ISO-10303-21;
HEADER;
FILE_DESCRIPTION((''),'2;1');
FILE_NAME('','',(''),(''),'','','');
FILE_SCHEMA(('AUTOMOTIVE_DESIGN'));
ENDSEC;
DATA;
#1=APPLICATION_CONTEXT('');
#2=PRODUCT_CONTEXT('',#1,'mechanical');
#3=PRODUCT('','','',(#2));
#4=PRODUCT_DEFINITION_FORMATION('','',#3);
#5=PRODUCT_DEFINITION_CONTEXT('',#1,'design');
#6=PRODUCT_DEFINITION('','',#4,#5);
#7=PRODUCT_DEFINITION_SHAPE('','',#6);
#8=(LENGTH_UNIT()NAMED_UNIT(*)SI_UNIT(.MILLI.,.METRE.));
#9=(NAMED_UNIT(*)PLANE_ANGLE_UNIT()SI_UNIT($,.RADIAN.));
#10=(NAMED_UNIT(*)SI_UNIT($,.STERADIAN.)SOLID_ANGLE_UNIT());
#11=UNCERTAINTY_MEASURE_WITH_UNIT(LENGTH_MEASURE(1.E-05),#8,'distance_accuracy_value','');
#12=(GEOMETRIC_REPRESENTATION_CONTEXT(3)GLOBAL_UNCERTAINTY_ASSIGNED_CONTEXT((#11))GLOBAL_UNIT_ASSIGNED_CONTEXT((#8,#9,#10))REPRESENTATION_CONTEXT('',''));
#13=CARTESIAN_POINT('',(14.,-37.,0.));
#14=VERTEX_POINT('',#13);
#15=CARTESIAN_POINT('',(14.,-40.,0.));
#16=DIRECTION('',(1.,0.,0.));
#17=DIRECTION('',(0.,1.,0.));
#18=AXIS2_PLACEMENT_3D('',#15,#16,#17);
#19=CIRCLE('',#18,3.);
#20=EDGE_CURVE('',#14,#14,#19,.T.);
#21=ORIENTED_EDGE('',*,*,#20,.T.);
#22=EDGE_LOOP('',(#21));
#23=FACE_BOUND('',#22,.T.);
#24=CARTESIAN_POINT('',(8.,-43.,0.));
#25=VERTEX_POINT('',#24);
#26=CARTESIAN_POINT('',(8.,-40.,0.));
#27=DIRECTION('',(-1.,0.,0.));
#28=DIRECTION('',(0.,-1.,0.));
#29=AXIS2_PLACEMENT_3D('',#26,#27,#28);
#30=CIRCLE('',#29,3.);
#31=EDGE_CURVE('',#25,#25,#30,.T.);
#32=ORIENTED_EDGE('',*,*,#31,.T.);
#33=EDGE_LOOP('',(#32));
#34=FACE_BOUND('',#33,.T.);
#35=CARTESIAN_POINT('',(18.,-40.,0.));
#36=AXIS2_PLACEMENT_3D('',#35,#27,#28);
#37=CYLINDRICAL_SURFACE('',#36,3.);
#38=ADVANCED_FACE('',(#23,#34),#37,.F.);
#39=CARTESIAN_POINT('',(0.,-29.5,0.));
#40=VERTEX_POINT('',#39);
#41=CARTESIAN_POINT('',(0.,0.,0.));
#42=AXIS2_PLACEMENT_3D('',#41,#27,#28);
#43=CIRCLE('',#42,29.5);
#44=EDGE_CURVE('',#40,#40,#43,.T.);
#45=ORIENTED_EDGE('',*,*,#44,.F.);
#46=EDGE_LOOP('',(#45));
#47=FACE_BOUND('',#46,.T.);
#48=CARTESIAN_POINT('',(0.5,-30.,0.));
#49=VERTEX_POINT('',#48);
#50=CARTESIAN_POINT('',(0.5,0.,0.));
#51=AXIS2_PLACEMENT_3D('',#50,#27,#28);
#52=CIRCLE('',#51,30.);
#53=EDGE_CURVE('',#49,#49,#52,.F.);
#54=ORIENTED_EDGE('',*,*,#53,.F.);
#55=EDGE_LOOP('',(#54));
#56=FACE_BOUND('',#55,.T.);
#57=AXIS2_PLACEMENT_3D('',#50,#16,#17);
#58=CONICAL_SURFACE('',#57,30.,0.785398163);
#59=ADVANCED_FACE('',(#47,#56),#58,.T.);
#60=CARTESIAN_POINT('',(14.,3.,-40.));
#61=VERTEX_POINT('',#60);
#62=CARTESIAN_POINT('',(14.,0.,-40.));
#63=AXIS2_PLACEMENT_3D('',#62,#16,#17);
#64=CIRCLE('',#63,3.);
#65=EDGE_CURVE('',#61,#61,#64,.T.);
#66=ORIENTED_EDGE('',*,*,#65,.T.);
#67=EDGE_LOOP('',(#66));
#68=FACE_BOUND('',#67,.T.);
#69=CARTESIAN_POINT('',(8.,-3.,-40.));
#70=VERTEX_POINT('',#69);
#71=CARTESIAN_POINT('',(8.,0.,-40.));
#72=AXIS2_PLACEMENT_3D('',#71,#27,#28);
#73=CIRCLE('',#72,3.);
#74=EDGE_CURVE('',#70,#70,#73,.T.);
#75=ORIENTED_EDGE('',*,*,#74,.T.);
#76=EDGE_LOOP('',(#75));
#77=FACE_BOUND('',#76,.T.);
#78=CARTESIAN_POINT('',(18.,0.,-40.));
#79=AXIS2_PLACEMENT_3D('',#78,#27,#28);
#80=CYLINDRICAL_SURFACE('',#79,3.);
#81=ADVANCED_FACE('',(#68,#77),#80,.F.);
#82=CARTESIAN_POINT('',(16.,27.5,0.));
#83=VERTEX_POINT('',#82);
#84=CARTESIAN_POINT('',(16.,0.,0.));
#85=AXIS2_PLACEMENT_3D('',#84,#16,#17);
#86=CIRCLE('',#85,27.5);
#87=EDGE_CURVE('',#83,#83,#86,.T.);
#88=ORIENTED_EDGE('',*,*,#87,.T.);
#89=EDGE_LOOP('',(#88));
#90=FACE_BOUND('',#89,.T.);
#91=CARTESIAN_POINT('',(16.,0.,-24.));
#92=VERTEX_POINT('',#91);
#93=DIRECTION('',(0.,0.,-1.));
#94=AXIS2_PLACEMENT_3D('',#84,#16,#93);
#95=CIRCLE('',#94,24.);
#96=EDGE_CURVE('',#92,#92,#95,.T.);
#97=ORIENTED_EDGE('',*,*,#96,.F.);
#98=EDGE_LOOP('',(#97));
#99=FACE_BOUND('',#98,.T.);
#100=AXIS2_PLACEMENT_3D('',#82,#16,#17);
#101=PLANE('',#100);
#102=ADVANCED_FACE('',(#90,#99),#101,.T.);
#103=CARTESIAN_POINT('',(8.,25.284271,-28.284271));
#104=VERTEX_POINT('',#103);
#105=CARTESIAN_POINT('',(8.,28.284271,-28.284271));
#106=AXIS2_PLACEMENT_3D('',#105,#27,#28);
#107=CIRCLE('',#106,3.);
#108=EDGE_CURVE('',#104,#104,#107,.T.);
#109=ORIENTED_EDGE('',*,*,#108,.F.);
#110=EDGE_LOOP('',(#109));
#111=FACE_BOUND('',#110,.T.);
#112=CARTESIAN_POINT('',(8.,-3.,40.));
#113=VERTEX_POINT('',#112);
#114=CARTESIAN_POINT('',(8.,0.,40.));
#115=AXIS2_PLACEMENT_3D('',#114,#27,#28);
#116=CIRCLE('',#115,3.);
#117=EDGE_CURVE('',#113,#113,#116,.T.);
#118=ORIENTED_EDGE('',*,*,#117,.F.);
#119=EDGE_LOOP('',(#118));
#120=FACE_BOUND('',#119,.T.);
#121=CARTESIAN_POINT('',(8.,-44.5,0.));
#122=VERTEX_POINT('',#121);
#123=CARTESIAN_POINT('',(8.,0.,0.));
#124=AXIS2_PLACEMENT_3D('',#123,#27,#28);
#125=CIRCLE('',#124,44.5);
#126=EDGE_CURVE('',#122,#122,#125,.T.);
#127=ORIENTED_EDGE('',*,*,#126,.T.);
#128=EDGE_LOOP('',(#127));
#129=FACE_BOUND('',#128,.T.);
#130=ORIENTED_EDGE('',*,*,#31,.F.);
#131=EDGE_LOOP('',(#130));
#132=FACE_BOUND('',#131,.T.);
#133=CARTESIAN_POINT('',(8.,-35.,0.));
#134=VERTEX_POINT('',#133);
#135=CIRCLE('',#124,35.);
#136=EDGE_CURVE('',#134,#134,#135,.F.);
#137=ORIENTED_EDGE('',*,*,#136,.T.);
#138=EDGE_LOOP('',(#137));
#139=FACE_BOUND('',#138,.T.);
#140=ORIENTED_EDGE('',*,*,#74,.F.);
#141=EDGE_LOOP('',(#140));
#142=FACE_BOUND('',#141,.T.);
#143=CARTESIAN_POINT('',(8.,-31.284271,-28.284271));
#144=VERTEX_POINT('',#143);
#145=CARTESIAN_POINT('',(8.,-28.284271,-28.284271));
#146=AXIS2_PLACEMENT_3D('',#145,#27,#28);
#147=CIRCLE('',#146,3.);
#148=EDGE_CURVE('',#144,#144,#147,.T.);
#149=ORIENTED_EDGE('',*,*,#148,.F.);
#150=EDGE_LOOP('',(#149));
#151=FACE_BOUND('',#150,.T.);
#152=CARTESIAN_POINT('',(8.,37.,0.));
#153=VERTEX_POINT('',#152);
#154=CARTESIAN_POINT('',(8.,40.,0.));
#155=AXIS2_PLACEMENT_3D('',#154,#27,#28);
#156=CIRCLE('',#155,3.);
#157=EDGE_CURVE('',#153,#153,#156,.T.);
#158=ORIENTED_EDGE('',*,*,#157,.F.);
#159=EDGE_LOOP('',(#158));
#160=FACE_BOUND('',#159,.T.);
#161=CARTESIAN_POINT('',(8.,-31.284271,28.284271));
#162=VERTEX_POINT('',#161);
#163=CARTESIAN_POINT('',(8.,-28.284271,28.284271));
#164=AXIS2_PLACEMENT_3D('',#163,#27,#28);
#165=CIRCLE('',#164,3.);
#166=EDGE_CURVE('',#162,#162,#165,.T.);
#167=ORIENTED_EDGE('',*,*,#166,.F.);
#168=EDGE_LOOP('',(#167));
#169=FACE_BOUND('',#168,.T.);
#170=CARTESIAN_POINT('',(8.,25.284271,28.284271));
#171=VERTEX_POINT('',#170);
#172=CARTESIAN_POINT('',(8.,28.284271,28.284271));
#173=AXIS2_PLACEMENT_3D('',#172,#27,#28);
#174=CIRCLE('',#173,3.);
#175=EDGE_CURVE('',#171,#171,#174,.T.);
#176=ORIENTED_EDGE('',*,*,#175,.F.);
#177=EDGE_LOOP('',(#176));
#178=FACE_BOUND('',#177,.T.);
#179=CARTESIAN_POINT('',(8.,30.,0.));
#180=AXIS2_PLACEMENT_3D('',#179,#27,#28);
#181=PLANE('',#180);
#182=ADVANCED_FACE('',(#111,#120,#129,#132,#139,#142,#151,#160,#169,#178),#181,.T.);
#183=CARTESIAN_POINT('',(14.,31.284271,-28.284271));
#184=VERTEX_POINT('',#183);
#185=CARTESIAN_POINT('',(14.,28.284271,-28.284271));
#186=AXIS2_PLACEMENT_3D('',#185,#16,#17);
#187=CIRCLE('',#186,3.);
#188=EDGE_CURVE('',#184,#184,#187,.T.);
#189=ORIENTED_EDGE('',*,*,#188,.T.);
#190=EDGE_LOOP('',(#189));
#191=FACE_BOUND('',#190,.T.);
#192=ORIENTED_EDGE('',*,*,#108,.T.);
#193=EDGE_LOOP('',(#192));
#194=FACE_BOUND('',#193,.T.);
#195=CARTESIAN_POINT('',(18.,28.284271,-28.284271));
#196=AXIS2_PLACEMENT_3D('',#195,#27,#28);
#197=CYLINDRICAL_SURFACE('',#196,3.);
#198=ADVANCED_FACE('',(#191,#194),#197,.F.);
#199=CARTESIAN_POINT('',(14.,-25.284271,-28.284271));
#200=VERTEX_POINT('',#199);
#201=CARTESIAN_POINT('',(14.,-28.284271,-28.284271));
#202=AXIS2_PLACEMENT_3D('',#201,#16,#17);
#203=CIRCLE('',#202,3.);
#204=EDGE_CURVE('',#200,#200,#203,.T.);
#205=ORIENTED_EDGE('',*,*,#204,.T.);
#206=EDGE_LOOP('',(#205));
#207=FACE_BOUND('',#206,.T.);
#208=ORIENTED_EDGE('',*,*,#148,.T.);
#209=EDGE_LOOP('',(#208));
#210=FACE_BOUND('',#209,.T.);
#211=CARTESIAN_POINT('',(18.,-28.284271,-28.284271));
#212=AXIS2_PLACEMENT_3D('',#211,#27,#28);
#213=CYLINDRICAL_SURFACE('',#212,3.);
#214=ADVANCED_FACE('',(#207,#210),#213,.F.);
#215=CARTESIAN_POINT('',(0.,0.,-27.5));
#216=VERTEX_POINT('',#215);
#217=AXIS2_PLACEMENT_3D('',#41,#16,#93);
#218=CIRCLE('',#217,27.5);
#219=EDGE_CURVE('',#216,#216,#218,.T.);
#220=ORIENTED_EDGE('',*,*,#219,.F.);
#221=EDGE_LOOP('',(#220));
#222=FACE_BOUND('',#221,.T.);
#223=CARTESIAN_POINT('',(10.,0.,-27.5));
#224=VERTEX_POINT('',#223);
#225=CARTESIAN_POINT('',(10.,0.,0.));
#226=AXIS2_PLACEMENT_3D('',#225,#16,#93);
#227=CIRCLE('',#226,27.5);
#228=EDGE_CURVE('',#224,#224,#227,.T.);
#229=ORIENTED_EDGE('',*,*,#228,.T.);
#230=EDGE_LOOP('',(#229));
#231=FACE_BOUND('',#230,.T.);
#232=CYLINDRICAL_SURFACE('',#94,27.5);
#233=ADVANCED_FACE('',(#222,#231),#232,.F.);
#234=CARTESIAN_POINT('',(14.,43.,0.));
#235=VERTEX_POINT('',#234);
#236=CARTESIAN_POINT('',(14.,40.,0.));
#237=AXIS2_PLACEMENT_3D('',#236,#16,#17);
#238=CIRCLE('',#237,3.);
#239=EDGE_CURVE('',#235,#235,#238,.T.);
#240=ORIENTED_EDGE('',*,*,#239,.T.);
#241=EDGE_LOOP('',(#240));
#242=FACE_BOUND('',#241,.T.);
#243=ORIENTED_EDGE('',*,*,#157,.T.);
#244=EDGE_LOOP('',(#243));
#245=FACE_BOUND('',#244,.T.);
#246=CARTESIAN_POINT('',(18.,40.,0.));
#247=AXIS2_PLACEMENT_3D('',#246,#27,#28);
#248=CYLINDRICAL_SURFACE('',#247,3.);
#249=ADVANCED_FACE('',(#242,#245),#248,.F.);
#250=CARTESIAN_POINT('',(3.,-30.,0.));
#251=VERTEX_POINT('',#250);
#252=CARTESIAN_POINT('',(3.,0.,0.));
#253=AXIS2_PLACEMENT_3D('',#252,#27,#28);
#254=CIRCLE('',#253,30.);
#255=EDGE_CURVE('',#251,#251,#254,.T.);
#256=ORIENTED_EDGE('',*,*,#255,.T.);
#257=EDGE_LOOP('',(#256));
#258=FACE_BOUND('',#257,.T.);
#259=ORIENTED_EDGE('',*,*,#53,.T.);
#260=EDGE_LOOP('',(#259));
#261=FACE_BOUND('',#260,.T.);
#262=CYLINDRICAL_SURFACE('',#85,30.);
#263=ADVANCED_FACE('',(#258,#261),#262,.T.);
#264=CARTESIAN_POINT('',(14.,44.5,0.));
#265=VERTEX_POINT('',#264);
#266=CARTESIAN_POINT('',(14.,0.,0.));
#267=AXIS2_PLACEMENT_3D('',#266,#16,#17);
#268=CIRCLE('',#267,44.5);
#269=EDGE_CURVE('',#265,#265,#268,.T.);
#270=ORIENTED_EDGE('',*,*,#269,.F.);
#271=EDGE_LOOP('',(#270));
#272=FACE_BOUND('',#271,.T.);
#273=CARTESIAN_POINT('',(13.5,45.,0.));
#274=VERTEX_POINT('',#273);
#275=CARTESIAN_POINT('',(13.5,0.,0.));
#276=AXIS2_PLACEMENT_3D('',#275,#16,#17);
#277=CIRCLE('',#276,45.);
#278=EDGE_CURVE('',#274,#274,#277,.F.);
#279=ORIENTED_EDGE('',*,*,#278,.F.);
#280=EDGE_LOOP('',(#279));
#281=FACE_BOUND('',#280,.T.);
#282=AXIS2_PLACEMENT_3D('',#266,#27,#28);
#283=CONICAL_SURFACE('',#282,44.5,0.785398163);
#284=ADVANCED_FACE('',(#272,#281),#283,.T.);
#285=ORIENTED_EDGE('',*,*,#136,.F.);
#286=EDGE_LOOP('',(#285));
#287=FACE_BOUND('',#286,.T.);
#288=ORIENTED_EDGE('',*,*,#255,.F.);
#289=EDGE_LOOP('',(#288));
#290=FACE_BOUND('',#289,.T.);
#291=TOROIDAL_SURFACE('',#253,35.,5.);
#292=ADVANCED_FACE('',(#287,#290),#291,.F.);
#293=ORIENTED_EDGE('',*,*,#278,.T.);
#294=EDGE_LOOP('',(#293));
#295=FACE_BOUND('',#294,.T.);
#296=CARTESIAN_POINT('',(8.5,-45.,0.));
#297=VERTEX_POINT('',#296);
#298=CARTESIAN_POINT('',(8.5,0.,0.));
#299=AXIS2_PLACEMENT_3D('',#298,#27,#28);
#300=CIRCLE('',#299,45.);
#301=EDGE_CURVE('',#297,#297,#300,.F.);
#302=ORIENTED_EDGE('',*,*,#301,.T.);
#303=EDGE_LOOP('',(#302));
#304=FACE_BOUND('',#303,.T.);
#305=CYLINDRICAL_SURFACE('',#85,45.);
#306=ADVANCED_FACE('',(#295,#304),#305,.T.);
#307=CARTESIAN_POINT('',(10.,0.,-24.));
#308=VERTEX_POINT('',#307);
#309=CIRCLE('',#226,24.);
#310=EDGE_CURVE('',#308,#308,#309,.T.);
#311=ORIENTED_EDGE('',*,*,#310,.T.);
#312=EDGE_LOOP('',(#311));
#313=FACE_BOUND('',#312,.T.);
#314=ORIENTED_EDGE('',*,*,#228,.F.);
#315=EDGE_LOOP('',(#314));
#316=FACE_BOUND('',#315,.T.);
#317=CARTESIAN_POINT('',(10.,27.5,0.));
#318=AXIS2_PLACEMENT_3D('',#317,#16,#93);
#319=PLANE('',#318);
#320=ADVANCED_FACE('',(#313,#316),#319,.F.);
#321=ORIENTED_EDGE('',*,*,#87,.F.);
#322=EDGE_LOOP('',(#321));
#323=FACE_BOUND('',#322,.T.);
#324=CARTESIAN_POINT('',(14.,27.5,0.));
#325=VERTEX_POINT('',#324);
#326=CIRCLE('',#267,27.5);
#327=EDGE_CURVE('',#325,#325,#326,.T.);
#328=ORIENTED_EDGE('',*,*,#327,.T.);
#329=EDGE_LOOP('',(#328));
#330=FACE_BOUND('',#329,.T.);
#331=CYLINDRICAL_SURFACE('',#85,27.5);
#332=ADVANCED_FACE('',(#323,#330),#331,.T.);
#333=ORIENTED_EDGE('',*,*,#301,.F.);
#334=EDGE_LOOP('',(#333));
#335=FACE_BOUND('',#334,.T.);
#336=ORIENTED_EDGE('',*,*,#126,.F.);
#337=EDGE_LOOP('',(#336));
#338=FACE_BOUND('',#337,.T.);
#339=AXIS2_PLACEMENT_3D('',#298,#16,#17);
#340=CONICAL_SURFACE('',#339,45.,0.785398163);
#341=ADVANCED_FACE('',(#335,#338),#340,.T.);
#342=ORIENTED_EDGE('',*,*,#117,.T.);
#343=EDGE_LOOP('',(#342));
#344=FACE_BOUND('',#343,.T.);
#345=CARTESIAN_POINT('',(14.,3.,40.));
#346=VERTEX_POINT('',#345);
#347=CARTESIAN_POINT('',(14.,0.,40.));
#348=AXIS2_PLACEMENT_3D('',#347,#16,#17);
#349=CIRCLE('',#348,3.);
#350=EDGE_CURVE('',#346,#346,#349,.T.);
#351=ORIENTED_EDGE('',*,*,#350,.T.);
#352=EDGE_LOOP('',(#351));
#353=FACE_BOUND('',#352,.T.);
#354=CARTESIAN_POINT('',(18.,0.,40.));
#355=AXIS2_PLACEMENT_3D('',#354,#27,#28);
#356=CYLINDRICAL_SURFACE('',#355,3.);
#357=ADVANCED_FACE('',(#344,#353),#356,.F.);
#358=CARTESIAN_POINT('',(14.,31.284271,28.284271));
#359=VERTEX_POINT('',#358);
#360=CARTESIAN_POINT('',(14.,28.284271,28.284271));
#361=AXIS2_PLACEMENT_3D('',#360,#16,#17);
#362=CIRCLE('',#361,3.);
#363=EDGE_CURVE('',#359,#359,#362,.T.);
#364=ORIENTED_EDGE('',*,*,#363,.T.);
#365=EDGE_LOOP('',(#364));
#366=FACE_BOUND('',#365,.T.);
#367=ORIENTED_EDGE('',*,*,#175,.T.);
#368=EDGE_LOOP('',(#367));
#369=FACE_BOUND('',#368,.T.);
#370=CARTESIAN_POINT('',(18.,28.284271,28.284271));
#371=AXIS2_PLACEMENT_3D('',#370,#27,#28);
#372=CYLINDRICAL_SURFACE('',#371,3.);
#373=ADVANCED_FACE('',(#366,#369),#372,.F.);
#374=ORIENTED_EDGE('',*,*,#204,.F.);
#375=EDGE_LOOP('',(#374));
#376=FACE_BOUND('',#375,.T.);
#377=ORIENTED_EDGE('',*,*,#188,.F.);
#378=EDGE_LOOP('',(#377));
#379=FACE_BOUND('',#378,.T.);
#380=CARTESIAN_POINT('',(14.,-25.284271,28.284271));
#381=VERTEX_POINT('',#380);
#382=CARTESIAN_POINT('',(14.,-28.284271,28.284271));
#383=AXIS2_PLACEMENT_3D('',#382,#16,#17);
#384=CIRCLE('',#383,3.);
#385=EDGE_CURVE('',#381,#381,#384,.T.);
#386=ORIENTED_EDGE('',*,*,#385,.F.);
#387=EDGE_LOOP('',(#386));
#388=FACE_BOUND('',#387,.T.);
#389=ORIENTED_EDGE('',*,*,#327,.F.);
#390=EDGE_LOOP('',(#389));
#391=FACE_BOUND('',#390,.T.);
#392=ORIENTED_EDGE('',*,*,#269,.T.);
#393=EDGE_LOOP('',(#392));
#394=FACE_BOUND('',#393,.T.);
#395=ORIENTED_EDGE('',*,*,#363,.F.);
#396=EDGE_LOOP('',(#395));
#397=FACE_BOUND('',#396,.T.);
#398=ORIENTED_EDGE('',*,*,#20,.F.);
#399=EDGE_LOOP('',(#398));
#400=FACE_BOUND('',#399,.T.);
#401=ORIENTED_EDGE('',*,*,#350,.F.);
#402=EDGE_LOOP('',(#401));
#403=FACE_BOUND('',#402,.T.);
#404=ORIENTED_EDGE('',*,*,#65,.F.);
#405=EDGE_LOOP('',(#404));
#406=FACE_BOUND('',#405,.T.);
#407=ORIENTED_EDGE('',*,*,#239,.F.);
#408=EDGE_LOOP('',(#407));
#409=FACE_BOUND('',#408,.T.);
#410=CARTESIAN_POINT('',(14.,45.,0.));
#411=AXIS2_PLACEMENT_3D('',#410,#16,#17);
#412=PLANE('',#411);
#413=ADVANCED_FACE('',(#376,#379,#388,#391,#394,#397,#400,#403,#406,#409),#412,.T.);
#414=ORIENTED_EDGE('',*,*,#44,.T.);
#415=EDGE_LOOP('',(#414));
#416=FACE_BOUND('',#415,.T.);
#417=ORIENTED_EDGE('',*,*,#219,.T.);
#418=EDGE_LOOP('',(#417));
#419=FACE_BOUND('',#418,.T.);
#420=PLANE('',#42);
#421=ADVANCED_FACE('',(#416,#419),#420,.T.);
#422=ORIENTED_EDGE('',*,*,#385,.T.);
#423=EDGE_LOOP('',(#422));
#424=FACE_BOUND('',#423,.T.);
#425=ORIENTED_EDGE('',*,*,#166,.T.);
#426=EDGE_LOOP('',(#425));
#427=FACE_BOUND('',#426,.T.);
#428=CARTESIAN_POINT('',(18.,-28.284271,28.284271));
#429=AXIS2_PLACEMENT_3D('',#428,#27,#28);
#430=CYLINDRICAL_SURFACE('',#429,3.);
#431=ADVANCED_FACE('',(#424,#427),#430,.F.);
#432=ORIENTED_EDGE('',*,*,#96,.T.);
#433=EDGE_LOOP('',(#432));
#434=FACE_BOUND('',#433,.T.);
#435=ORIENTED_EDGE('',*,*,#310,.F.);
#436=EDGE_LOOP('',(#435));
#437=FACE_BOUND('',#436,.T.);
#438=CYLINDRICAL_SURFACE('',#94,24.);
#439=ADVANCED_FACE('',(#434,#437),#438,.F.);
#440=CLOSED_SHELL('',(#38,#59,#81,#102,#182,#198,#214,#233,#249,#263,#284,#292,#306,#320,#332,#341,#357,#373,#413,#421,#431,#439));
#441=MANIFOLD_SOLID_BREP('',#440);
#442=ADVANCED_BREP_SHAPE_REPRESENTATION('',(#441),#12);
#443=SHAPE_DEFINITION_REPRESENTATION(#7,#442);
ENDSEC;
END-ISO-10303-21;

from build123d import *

# Parameters (mm, degrees)
SKETCH_3_R          = 3
CUT_EXTRUDE_1_DEPTH = 10
CHAMFER_1_SIZE      = 0.5
FILLET_1_R          = 5


with BuildPart() as part:
    # 草图1 → 旋转1 (revolve)
    with BuildSketch(Plane.XY):
        Polygon((0, 0), (0, 30), (8, 30), (8, 45), (14, 45), (14, 27.5), (16, 27.5), (16, 0), align=None)
    revolve(axis=Axis((16, 0, 0), (-1, 0, 0)))

    # 草图2 → 切除-旋转1 (revolve, cut)
    with BuildSketch(Plane.XY, mode=Mode.PRIVATE) as cut_revolve_1_sk:
        Polygon((0, 0), (0, 27.5), (10, 27.5), (10, 24), (16, 24), (16, 0), align=None)
    revolve(cut_revolve_1_sk.sketch.rotate(Axis((16, 0, 0), (-1, 0, 0)), 90), axis=Axis((16, 0, 0), (-1, 0, 0)), mode=Mode.SUBTRACT)

    # 草图3 → 切除-拉伸1 (cut)
    with BuildSketch(Plane.ZY.offset(-8)):
        with Locations(Location((0, 40, 0), (0, 0, 270))):
            Circle(SKETCH_3_R)
        with Locations(Location((28.284271247, 28.284271247, 0), (0, 0, 270))):
            Circle(SKETCH_3_R)
        with Locations(Location((40, 0, 0), (0, 0, 270))):
            Circle(SKETCH_3_R)
        with Locations(Location((28.284271247, -28.284271247, 0), (0, 0, 270))):
            Circle(SKETCH_3_R)
        with Locations(Location((0, -40, 0), (0, 0, 270))):
            Circle(SKETCH_3_R)
        with Locations(Location((-28.284271247, -28.284271247, 0), (0, 0, 270))):
            Circle(SKETCH_3_R)
        with Locations(Location((-40, 0, 0), (0, 0, 270))):
            Circle(SKETCH_3_R)
        with Locations(Location((-28.284271247, 28.284271247, 0), (0, 0, 270))):
            Circle(SKETCH_3_R)
    extrude(amount=-CUT_EXTRUDE_1_DEPTH, mode=Mode.SUBTRACT)

    # 倒角1
    chamfer_1_edges = [part.edges().sort_by_distance(p)[0] for p in [
        (14, -45, 0),
        (8, -45, 0),
        (0, -30, 0),
    ]]
    chamfer(chamfer_1_edges, length=CHAMFER_1_SIZE)

    # 圆角1
    fillet_1_edges = [part.edges().sort_by_distance(p)[0] for p in [
        (8, -30, 0),
    ]]
    fillet(fillet_1_edges, radius=FILLET_1_R)


solid = part.part
